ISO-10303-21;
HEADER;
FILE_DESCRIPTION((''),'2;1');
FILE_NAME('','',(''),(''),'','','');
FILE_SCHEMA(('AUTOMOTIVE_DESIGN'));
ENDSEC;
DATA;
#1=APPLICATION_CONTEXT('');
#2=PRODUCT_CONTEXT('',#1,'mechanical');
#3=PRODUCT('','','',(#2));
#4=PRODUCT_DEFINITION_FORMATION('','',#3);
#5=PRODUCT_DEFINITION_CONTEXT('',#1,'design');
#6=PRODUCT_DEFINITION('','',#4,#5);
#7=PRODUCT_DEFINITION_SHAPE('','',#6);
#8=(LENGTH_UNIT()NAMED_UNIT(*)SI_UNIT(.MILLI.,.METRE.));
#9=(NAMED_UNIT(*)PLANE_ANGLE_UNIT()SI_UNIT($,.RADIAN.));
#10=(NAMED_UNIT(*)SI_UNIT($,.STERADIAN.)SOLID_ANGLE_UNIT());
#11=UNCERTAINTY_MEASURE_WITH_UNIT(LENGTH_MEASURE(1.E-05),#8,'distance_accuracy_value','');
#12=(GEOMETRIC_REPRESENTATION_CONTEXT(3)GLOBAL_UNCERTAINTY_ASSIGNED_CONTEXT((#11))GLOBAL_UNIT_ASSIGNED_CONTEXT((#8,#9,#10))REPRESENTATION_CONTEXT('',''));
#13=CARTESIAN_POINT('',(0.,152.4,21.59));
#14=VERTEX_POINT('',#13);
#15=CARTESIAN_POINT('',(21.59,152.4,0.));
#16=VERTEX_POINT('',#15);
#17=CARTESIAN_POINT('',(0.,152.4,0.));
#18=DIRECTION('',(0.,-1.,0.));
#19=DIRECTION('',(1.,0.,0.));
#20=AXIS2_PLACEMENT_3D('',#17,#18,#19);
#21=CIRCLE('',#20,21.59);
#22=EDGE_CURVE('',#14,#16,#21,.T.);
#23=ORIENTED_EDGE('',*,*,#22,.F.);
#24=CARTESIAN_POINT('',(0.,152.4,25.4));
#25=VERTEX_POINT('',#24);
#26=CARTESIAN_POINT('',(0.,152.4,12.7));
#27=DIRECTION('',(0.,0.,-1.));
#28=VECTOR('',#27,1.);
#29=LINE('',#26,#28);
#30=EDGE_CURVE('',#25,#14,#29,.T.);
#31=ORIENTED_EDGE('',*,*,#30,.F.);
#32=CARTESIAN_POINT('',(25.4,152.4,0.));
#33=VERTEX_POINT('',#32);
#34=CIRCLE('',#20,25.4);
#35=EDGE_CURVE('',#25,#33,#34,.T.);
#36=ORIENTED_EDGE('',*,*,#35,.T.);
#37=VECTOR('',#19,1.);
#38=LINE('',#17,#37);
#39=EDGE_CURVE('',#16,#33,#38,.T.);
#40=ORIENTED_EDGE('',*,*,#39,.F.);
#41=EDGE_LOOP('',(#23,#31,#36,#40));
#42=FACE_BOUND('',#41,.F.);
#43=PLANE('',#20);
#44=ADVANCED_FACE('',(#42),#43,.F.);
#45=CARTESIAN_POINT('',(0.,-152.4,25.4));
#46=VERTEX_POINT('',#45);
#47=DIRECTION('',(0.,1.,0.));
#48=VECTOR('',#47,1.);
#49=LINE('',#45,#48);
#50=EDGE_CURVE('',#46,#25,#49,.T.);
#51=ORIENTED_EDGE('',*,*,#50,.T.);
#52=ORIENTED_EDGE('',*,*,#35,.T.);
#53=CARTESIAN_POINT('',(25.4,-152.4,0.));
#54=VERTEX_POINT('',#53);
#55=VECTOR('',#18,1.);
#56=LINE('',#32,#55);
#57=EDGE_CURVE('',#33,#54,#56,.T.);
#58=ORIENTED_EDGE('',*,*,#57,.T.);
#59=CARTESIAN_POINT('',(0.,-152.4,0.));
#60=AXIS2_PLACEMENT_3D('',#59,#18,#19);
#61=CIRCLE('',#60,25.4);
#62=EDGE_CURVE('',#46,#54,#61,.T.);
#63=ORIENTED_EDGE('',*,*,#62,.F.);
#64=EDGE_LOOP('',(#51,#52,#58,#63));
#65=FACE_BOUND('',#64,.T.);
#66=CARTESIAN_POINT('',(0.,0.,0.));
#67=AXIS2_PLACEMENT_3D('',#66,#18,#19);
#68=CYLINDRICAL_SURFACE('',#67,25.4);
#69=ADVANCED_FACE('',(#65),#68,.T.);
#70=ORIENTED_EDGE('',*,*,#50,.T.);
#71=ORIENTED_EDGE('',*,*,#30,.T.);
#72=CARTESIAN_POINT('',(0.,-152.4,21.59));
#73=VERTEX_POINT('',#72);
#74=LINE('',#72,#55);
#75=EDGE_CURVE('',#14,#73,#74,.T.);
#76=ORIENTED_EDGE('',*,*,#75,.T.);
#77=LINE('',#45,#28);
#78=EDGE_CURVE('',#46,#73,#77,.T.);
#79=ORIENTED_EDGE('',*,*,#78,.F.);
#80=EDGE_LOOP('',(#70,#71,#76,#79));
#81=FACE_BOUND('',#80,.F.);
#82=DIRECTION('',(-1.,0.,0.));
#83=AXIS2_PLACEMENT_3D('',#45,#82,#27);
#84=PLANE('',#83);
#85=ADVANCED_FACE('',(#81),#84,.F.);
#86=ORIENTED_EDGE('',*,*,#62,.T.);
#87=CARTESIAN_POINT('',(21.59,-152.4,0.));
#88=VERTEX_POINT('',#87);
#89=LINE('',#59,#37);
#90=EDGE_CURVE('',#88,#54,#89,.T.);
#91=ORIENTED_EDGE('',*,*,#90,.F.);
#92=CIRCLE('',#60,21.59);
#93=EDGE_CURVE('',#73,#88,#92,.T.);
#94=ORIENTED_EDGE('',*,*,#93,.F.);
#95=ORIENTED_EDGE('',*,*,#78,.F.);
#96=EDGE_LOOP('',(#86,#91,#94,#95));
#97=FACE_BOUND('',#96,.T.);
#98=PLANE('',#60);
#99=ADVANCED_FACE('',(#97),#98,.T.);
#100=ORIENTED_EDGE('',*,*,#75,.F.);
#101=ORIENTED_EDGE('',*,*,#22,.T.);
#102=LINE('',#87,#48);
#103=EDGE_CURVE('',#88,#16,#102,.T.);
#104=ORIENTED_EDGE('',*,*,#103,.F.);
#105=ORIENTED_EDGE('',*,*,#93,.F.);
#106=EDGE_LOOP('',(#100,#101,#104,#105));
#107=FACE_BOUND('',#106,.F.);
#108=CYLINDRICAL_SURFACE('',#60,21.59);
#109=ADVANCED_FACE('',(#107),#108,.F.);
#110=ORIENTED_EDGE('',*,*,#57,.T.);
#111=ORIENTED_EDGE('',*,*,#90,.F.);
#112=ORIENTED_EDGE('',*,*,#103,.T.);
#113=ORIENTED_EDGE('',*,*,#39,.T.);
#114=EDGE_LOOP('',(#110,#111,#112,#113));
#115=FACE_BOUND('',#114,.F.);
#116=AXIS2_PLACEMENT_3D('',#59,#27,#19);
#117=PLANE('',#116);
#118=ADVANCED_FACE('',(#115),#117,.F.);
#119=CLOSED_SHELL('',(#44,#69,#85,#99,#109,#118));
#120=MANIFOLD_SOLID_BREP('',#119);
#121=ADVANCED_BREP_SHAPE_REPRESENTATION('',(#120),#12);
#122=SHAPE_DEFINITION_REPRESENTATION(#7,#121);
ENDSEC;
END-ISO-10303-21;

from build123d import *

# Parameters (mm, degrees)
F0_R     = 25.4
F1_DEPTH = 152.4
F3_DEPTH = 304.801
F4_R     = 21.59
F5_DEPTH = 304.801


with BuildPart() as f1:
    # F0 (on Front) → F1 (new body, symmetric)
    with BuildSketch(Plane.XZ):
        Circle(F0_R)
    extrude(amount=F1_DEPTH, both=True)

    # F2 (on face) → F3 (cut, through all)
    with BuildSketch(Plane.XZ.offset(152.4)):
        with BuildLine():
            Line((0, 25.4), (0, 0))
            Line((0, 0), (25.4, 0))
            ThreePointArc((25.4, 0), (17.960512, 17.960512), (0, 25.4))
        make_face()
    extrude(amount=-F3_DEPTH, mode=Mode.SUBTRACT)

    # F4 (on face) → F5 (cut, through all)
    with BuildSketch(Plane.XZ.offset(152.4)):
        Circle(F4_R)
    extrude(amount=-F5_DEPTH, mode=Mode.SUBTRACT)


solid = f1.part
